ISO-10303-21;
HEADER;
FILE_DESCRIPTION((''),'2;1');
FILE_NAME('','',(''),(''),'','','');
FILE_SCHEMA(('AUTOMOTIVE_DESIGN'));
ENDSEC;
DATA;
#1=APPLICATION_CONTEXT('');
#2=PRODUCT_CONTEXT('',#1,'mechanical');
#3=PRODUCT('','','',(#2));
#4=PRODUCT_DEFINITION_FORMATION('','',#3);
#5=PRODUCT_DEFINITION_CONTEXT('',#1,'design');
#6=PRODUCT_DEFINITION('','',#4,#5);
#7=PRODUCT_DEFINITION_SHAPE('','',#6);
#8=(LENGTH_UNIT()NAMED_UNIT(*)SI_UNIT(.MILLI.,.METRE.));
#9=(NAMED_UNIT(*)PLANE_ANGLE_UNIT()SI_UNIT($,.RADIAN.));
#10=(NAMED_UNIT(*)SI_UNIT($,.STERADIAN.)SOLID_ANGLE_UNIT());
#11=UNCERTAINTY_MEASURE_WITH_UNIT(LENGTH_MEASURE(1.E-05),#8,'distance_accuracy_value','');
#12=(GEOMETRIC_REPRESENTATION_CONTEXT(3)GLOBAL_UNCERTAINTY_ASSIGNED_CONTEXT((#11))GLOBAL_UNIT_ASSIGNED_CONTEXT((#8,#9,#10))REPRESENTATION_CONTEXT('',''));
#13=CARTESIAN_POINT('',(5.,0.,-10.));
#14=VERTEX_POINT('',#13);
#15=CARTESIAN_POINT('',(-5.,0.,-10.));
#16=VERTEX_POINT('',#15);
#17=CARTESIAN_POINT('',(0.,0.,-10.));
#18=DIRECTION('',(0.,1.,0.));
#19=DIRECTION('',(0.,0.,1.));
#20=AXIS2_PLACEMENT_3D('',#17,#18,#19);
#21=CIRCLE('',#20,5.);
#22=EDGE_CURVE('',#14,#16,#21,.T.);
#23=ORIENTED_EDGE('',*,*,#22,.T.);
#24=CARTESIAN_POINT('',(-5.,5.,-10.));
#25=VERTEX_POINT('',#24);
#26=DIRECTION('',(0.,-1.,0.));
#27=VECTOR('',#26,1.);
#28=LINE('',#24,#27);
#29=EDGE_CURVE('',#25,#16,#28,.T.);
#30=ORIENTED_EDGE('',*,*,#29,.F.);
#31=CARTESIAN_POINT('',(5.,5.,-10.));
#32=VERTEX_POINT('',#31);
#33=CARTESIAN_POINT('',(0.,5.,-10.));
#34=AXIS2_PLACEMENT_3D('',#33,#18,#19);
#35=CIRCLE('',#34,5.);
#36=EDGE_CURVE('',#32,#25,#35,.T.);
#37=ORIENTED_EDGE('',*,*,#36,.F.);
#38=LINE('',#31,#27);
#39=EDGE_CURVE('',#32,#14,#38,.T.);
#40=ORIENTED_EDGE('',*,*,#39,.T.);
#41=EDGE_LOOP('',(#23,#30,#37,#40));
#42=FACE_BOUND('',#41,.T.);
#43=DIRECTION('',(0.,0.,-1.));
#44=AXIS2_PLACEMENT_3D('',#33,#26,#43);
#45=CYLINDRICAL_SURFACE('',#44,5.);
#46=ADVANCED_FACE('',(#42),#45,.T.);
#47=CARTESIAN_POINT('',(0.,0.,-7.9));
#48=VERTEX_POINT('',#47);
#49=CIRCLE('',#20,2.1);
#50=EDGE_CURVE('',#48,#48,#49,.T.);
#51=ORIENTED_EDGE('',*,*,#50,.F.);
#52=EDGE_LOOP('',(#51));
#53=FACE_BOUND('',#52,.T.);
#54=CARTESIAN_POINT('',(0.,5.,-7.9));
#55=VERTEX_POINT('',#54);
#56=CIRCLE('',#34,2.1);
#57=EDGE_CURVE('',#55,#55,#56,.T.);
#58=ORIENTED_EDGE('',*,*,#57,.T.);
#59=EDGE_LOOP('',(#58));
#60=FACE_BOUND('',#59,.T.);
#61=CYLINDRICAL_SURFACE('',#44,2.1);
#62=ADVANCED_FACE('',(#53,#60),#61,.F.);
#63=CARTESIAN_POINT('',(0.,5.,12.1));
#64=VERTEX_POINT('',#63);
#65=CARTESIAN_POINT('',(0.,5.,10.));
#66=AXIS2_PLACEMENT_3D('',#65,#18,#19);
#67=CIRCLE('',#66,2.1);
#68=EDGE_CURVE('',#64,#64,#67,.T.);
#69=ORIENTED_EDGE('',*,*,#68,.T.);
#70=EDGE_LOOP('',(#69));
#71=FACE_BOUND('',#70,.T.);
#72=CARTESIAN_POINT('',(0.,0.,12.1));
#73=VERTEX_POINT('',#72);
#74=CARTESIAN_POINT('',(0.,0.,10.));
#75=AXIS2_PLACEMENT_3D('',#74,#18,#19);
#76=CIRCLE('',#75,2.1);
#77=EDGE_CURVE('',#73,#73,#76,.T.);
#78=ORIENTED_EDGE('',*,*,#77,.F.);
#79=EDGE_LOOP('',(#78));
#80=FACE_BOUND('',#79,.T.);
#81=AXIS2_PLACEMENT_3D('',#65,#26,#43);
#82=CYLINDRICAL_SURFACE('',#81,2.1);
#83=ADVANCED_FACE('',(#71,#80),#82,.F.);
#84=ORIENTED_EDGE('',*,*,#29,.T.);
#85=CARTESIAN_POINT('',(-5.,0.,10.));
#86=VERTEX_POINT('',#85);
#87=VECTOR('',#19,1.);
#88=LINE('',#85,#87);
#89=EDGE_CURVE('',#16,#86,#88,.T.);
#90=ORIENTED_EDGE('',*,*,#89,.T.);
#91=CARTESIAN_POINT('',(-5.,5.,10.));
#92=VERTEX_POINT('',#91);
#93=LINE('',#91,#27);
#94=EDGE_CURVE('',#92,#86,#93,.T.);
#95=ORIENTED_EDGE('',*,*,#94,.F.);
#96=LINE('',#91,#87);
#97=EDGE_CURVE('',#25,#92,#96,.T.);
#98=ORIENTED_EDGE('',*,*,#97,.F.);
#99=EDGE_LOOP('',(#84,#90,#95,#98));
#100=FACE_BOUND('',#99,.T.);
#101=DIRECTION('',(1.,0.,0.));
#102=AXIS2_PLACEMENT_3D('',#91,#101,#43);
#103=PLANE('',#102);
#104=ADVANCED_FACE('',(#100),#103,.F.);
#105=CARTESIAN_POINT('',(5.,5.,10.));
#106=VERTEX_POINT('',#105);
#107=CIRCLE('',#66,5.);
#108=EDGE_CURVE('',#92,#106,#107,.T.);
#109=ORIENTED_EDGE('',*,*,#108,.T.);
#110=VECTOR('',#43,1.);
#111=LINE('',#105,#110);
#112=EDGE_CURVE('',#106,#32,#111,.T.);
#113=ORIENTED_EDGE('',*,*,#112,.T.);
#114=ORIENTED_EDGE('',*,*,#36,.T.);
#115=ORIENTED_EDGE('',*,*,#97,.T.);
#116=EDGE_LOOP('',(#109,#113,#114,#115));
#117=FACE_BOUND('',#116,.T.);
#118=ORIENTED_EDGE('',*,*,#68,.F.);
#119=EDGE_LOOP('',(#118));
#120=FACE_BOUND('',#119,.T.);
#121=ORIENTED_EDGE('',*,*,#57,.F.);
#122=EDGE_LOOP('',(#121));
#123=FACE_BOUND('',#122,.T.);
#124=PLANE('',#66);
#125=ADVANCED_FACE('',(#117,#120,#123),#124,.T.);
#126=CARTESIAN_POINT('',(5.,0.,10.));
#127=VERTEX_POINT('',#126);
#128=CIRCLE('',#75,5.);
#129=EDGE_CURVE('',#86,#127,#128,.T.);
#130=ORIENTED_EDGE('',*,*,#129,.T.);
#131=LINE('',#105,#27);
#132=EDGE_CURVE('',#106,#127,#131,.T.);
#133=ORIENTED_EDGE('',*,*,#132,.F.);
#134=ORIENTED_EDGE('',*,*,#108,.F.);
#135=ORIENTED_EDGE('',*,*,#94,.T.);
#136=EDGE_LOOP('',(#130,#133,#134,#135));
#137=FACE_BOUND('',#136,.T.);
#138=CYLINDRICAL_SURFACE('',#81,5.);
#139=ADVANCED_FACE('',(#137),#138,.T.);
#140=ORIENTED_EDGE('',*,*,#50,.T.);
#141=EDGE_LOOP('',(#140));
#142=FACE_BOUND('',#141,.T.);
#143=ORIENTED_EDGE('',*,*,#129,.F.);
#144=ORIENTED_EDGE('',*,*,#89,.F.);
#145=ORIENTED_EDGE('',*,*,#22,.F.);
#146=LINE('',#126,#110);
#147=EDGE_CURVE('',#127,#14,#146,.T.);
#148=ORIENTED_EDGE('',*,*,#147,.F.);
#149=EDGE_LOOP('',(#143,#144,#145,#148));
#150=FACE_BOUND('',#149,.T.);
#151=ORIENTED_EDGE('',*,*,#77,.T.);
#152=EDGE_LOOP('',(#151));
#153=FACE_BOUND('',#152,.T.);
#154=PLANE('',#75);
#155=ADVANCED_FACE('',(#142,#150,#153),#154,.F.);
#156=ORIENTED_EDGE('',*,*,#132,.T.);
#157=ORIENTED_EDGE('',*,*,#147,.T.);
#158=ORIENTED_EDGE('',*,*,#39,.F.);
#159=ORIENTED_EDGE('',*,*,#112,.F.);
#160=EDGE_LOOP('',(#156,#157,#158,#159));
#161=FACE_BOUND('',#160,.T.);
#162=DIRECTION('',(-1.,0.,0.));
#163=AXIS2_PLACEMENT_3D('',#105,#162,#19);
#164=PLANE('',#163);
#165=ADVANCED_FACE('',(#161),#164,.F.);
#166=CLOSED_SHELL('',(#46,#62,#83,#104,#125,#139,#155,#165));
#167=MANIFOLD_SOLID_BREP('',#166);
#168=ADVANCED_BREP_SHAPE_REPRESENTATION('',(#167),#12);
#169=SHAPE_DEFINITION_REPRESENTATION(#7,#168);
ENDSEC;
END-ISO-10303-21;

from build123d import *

# Parameters (mm, degrees)
SKETCH_1_R      = 2.1
EXTRUDE_1_DEPTH = 5


with BuildPart() as part:
    # ｽｹｯﾁ1 → ﾎﾞｽ - 押し出し1 (new body)
    with BuildSketch(Plane(origin=(0, 0, 0), x_dir=(1, 0, 0), z_dir=(0, 1, 0))):
        with BuildLine():
            Line((-5, -10), (-5, 10))
            ThreePointArc((-5, 10), (0, 15), (5, 10))
            Line((5, 10), (5, -10))
            ThreePointArc((5, -10), (0, -15), (-5, -10))
        make_face()
        with Locations(Location((0, 10, 0), (0, 0, 270))):
            Circle(SKETCH_1_R, mode=Mode.SUBTRACT)
        with Locations(Location((0, -10, 0), (0, 0, 270))):
            Circle(SKETCH_1_R, mode=Mode.SUBTRACT)
    extrude(amount=EXTRUDE_1_DEPTH)


solid = part.part
